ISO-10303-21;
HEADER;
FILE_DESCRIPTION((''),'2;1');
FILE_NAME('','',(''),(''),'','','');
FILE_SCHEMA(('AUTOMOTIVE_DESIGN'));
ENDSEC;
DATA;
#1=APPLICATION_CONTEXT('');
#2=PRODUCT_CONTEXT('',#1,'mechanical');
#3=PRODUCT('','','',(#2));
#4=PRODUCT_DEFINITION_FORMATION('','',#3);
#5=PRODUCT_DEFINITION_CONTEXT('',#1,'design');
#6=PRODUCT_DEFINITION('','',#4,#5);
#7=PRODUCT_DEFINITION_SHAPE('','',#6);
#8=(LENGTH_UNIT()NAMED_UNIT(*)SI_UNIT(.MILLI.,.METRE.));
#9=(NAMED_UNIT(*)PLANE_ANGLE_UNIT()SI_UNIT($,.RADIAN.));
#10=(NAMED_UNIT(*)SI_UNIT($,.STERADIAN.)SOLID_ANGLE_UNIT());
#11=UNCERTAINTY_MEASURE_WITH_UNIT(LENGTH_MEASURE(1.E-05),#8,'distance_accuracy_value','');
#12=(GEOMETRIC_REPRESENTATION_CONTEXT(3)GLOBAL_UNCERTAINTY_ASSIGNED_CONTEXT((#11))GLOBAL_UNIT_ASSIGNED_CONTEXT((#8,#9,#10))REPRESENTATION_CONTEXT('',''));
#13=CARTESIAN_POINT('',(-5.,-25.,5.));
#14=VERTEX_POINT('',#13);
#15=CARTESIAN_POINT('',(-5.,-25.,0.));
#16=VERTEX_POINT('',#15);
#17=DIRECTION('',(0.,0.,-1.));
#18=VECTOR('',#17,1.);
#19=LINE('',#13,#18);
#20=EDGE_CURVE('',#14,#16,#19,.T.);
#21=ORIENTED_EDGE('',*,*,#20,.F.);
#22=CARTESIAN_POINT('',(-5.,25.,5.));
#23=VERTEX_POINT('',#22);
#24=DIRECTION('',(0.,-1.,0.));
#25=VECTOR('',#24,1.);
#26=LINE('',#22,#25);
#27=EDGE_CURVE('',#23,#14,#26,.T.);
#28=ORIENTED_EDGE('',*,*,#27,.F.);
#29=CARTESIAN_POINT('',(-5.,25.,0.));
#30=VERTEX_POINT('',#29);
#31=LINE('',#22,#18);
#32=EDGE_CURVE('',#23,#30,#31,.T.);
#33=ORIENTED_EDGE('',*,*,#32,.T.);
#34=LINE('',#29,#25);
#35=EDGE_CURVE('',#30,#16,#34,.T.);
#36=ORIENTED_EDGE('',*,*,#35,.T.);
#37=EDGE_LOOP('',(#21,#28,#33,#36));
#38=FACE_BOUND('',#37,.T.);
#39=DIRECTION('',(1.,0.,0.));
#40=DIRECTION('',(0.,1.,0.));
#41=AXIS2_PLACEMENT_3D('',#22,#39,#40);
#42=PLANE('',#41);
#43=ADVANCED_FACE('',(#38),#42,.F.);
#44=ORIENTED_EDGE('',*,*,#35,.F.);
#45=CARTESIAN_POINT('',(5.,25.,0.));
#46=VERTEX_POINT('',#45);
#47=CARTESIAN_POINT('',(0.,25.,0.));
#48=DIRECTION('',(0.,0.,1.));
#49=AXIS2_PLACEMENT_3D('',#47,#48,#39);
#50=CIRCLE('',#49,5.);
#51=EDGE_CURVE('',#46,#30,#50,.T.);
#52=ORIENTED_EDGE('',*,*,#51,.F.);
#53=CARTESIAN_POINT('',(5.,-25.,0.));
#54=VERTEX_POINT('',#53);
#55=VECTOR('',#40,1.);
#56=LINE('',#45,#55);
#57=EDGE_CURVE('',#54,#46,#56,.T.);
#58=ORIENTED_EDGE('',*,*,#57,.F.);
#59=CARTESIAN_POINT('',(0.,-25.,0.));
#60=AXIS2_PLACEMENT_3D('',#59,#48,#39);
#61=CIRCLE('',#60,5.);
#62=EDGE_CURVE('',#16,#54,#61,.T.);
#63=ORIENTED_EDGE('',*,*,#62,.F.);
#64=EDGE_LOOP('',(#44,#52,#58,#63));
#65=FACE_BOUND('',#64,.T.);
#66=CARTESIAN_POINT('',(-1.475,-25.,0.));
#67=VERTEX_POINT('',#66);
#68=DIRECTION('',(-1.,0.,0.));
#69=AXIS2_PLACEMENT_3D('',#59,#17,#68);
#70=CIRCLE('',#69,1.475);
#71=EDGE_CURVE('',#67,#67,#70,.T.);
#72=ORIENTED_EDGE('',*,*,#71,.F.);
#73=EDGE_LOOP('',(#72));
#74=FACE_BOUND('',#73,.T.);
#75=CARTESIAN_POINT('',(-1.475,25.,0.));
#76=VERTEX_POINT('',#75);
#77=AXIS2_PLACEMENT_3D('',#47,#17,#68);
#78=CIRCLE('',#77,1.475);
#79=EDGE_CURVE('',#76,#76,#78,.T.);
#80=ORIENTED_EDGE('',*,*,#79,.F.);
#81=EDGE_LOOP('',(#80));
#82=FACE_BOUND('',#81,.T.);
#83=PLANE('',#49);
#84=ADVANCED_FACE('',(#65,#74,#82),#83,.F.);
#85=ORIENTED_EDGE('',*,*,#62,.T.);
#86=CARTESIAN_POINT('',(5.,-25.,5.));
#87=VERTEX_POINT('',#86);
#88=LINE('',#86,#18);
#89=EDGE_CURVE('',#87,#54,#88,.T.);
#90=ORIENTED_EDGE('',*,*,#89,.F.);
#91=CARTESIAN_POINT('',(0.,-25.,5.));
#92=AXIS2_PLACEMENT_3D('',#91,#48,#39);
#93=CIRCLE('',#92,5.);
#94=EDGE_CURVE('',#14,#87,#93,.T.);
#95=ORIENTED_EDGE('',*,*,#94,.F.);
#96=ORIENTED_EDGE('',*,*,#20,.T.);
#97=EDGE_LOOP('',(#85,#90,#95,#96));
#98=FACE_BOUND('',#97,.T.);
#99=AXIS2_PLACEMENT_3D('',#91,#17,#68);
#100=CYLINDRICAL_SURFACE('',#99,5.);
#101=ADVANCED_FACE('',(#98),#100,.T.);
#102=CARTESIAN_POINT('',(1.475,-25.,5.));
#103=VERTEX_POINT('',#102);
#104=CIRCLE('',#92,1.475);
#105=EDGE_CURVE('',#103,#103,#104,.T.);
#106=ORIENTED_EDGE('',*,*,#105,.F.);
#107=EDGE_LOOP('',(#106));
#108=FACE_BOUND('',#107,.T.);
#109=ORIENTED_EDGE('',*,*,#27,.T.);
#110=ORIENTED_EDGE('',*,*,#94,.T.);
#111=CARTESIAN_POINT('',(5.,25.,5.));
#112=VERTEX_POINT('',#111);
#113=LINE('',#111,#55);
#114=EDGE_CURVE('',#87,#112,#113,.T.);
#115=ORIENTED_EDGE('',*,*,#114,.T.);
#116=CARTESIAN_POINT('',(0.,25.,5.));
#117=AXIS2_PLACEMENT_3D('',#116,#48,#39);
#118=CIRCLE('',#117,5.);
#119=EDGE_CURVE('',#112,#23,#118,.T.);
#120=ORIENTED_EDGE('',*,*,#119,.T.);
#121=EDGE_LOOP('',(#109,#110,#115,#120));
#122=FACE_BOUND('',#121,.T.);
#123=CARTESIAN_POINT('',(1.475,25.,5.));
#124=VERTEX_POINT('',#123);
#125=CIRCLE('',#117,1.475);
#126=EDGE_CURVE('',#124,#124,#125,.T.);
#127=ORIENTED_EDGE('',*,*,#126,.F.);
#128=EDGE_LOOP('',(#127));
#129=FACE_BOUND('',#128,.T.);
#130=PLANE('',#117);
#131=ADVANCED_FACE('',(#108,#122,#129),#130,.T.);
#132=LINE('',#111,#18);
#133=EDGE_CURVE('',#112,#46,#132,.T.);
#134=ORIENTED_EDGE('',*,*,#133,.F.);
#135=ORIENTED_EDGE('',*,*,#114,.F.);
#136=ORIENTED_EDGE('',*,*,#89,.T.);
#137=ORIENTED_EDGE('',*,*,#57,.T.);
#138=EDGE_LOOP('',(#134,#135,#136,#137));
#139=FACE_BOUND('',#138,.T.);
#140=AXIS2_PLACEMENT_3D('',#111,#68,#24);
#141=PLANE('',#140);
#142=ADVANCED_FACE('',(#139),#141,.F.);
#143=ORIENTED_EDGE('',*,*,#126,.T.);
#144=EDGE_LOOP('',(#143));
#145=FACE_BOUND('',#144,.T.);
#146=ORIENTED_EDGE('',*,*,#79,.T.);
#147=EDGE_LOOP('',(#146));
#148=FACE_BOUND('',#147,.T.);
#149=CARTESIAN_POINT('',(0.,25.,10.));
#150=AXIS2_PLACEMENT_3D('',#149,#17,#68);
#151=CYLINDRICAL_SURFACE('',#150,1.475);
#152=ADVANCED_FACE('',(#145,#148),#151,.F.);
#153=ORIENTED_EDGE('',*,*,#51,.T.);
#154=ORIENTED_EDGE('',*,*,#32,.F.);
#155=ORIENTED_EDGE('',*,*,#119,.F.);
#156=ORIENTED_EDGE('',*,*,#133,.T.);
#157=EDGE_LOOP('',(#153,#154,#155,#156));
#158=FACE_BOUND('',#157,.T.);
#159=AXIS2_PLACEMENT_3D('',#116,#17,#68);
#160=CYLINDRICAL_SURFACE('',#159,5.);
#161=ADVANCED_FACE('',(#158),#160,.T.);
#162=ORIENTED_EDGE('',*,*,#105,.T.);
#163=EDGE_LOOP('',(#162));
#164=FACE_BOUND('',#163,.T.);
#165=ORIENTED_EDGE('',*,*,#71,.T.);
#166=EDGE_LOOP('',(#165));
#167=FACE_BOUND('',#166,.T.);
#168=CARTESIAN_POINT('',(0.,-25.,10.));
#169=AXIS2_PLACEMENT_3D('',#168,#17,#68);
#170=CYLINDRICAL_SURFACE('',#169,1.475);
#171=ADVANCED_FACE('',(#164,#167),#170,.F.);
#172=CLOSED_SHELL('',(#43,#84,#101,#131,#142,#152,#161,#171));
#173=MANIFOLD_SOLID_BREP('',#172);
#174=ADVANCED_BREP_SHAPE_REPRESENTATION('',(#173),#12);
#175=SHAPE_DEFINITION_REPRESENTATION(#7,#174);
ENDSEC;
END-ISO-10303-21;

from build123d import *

# Parameters (mm, degrees)
BOSS_EXTRUDE1_DEPTH = 5
SKETCH2_R           = 1.475
CUT_EXTRUDE1_DEPTH  = 10


with BuildPart() as part:
    # Sketch1 → Boss-Extrude1 (new body)
    with BuildSketch(Plane.XY):
        with BuildLine():
            Line((5, 25), (5, -25))
            ThreePointArc((5, -25), (0, -30), (-5, -25))
            Line((-5, -25), (-5, 25))
            ThreePointArc((-5, 25), (0, 30), (5, 25))
        make_face()
    extrude(amount=BOSS_EXTRUDE1_DEPTH)

    # Sketch2 → Cut-Extrude1 (cut)
    with BuildSketch(Plane(origin=(0, 0, 0), x_dir=(-1, 0, 0), z_dir=(0, 0, -1))):
        with Locations((0, -25)):
            Circle(SKETCH2_R)
        with Locations((0, 25)):
            Circle(SKETCH2_R)
    extrude(amount=-CUT_EXTRUDE1_DEPTH, mode=Mode.SUBTRACT)


solid = part.part
